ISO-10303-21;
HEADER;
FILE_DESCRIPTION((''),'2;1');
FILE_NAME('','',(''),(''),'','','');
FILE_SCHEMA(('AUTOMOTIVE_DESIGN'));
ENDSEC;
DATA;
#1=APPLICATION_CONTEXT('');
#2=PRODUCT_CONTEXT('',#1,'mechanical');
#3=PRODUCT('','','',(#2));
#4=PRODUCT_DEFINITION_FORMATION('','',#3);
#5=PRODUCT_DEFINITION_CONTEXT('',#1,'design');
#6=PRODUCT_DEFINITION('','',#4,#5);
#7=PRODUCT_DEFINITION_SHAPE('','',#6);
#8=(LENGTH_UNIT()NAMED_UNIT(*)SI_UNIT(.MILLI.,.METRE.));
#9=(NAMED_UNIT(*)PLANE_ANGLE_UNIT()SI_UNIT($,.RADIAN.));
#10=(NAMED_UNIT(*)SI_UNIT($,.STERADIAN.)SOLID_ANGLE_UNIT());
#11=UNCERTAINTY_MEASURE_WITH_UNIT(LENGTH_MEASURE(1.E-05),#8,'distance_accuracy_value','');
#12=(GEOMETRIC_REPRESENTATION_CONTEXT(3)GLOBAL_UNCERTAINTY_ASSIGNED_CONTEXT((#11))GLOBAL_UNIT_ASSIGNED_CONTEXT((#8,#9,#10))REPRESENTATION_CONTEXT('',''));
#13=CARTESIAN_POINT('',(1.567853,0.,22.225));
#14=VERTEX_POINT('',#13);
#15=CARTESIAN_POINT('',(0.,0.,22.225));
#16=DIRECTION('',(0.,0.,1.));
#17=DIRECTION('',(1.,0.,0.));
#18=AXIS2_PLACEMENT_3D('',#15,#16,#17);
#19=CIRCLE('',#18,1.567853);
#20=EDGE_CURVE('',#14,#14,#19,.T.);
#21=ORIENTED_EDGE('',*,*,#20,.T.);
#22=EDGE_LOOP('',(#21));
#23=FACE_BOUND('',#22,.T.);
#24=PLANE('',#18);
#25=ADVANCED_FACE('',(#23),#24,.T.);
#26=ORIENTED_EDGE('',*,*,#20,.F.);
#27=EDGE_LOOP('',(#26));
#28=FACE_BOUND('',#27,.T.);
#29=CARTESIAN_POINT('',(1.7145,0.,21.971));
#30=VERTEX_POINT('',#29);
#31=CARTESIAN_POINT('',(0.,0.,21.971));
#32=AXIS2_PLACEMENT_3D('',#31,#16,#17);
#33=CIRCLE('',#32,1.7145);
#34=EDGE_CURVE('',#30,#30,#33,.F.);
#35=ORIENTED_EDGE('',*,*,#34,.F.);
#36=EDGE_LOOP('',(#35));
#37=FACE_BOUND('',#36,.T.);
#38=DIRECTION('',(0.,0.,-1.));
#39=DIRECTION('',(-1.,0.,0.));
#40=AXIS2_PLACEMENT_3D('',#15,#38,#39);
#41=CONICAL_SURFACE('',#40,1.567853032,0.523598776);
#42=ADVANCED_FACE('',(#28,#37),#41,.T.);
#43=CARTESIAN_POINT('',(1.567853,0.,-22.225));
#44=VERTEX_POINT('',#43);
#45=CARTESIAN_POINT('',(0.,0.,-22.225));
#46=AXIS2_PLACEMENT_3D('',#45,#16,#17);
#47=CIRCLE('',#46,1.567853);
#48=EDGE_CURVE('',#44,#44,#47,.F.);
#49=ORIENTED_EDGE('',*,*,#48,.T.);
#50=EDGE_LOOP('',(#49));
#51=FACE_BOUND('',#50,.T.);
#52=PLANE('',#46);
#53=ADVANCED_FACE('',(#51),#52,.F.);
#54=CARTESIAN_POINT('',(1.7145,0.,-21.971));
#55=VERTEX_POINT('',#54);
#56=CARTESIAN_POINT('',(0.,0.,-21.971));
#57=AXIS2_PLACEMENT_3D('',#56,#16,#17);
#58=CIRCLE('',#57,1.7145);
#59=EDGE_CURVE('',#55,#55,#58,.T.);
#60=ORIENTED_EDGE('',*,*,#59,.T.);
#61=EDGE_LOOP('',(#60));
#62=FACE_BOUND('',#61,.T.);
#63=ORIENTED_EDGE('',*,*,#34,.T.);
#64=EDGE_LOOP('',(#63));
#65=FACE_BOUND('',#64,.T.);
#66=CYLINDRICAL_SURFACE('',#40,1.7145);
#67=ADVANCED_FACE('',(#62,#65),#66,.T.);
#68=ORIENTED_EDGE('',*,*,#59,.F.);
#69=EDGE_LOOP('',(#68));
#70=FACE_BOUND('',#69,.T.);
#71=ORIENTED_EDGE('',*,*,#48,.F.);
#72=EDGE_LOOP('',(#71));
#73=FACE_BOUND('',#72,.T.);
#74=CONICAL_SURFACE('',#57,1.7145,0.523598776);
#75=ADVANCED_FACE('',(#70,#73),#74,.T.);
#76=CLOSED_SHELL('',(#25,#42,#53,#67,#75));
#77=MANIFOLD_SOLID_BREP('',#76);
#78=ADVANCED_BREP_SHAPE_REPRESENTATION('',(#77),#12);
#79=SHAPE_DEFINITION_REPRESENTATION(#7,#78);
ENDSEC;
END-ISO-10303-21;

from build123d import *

# Parameters (mm, degrees)
SKETCH2_R      = 1.7145
EXTRUDE1_DEPTH = 22.225
CHAMFER1_SIZE  = 0.254
CHAMFER1_SIZE2 = 0.146646968


with BuildPart() as part:
    # Sketch2 → Extrude1 (new, symmetric)
    with BuildSketch(Plane.XY):
        Circle(SKETCH2_R)
    extrude(amount=EXTRUDE1_DEPTH, both=True)

    # Chamfer1
    chamfer1_edges = [part.edges().sort_by_distance(p)[0] for p in [
        (-1.7145, 0, -22.225),
        (-1.7145, 0, 22.225),
    ]]
    chamfer1_side = [part.faces().sort_by_distance(p)[0] for p in [
        (-1.7145, 0, 0),
    ]]
    chamfer(chamfer1_edges, length=CHAMFER1_SIZE, length2=CHAMFER1_SIZE2, reference=chamfer1_side[0])


solid = part.part
